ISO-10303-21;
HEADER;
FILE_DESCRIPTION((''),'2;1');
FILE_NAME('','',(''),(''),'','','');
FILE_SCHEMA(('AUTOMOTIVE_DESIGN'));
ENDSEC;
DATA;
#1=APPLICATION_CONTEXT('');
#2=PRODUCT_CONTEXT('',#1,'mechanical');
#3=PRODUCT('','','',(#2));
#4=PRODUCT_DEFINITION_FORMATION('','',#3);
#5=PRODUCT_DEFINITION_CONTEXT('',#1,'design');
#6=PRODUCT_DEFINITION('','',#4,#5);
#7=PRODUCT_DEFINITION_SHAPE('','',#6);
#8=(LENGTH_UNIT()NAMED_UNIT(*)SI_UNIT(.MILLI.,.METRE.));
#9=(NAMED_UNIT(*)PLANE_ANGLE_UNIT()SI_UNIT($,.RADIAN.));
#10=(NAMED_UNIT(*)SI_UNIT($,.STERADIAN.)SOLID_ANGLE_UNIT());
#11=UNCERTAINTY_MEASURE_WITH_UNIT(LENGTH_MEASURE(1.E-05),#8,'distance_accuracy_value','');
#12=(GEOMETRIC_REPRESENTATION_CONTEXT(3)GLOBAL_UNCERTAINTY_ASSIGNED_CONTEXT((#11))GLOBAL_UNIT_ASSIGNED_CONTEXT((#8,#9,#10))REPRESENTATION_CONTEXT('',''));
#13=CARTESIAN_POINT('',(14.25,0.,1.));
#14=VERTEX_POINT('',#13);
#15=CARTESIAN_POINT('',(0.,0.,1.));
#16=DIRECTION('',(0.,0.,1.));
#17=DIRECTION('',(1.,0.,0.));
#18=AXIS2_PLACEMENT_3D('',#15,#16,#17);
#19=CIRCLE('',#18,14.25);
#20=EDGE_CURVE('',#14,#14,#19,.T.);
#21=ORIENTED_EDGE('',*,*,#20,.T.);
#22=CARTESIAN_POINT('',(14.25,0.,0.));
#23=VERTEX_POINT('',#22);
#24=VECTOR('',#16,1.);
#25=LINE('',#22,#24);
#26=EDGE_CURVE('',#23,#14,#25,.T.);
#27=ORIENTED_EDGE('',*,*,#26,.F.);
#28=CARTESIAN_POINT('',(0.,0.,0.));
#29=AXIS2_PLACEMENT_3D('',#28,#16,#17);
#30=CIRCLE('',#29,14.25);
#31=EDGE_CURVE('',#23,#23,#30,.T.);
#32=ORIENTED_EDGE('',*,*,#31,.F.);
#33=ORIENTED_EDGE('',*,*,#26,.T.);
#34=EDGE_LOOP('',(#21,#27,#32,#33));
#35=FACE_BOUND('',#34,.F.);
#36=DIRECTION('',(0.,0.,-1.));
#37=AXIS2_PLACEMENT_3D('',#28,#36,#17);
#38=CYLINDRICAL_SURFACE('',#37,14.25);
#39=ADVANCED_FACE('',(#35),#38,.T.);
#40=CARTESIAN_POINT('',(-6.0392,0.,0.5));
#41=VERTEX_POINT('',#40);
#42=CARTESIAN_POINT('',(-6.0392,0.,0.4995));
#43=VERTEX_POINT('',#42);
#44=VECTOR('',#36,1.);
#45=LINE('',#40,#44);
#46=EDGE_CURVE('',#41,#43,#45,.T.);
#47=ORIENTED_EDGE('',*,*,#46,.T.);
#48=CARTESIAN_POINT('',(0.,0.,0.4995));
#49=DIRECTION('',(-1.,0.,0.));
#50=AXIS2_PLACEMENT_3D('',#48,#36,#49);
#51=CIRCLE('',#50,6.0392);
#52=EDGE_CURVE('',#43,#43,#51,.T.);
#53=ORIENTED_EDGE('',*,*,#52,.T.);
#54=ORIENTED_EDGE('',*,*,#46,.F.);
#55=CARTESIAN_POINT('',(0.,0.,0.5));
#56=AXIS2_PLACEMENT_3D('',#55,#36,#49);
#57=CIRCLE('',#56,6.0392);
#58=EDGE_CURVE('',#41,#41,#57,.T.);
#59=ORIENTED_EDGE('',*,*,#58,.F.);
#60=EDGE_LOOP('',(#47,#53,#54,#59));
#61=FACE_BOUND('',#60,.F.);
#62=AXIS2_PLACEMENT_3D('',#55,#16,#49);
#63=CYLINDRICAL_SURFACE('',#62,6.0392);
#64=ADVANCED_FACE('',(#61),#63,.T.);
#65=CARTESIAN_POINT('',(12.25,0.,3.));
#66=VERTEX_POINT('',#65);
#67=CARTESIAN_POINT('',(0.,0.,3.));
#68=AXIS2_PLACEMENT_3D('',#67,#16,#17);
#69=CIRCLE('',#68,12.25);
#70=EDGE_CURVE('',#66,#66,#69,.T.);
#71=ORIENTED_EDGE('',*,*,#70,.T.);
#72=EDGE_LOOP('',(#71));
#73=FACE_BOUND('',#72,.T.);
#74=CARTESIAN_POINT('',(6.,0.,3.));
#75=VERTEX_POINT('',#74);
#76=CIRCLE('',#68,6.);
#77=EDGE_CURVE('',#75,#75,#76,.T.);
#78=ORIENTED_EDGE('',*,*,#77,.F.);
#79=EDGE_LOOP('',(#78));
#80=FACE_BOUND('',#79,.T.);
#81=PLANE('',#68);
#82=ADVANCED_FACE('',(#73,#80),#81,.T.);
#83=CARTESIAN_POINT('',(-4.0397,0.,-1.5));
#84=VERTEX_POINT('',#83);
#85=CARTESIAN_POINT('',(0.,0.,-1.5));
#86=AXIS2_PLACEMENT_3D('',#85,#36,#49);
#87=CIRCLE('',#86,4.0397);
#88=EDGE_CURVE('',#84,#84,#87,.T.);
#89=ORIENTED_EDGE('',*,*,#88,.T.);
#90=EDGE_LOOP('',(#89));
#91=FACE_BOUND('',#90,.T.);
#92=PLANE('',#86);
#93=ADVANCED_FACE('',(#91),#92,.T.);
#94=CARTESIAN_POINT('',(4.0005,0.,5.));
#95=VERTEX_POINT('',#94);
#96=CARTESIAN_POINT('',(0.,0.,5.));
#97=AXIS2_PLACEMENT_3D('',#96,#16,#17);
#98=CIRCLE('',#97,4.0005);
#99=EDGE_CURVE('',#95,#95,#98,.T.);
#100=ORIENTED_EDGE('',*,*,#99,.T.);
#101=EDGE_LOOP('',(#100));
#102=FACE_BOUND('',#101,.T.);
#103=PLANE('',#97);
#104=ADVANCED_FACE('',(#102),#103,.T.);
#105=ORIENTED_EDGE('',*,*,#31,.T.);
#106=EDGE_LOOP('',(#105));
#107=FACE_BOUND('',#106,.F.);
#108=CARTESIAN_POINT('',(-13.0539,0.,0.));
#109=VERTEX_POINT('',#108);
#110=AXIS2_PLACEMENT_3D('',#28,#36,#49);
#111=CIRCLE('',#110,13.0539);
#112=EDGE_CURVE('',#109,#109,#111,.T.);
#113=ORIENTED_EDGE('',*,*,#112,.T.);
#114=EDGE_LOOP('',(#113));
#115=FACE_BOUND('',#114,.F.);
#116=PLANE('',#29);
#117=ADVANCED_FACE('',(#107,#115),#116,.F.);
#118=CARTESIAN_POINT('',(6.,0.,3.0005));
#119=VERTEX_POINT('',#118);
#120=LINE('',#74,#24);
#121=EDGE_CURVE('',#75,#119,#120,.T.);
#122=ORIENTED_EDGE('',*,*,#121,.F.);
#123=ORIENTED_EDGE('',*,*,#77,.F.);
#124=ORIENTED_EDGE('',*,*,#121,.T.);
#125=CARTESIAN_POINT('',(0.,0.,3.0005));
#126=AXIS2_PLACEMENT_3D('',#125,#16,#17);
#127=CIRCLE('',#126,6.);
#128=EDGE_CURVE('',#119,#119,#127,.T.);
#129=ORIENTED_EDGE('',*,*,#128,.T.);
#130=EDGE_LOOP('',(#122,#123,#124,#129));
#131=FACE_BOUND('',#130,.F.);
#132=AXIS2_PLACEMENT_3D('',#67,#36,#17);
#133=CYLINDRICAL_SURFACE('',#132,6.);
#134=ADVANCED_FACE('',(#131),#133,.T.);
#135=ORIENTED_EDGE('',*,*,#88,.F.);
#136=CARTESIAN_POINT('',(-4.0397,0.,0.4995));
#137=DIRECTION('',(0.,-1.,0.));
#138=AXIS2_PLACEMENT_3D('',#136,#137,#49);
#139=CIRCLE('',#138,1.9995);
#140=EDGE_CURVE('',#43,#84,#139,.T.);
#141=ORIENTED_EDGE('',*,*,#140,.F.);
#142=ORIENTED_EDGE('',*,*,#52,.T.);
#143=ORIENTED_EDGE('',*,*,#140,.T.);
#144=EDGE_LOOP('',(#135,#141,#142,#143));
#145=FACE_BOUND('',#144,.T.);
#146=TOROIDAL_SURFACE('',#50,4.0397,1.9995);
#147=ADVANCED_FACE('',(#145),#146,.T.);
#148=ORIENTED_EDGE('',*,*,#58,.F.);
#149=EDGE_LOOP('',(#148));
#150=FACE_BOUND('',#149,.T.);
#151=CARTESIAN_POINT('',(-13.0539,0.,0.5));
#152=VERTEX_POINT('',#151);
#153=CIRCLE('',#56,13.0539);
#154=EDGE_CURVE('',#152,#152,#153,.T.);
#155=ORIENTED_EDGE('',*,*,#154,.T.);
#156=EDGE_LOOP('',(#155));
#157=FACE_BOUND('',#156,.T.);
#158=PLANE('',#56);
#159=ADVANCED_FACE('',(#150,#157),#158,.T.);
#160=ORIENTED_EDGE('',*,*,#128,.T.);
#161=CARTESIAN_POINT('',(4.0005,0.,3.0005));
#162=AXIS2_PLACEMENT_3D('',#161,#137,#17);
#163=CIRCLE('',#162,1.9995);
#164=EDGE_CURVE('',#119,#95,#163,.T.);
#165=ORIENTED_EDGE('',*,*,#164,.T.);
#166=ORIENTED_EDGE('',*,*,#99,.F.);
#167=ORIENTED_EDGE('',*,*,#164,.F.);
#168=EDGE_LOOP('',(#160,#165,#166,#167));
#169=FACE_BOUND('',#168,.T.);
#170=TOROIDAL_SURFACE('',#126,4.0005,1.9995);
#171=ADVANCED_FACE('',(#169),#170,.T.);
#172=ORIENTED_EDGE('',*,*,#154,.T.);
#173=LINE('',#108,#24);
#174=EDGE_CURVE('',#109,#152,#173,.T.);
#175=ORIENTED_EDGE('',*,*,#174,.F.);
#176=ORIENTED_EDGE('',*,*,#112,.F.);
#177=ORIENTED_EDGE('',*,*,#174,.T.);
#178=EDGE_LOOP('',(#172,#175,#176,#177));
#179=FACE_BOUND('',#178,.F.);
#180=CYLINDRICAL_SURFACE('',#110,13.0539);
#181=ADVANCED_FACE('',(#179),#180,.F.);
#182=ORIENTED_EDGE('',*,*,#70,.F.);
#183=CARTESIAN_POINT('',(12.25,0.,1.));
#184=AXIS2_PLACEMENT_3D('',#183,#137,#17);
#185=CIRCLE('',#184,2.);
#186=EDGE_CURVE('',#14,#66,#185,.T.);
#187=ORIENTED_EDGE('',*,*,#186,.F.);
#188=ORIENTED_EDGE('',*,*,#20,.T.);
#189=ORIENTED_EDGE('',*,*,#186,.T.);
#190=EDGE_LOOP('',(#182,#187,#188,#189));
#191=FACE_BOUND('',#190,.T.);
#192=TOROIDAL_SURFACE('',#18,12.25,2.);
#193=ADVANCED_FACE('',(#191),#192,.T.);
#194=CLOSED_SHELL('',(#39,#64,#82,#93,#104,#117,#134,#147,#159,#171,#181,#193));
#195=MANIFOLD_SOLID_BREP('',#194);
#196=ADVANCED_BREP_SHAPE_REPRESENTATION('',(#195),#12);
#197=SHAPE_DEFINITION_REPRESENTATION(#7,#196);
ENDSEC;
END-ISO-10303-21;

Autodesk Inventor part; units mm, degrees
ref_plane "YZ Plane" through (0, 0, 0) normal (1, 0, 0) x (0, 1, 0)
ref_plane "XZ Plane" through (0, 0, 0) normal (0, 1, 0) x (-1, 0, 0)
ref_plane "XY Plane" through (0, 0, 0) normal (0, 0, 1) x (1, 0, 0)
sketch "Sketch1" plane through (0, 0, 0) normal (0, 0, 1) x (1, 0, 0)
  circle A0 centre (0, 0) radius 14.25
  dimension "d0" = 28.5
extrude "Extrusion1" add sketch "Sketch1" along normal blind 3
sketch "Sketch2" plane through (0, 0, 3) normal (0, 0, 1) x (1, 0, 0)
  circle A0 centre (0, 0) radius 6
  dimension "d3" = 12
extrude "Extrusion2" add sketch "Sketch2" along normal blind 2
fillet "Fillet1" radius 2 1 edges at (-14.25, 0, 3)
fillet "Fillet2" radius 2 1 edges at (-6, 0, 5)
sketch "Sketch3" plane through (0, 0, 0) normal (0, 0, -1) x (-1, 0, 0)
  circle A0 centre (0, 0) radius 13.0539
extrude "Extrusion3" cut sketch "Sketch3" against normal blind 0.5
sketch "Sketch4" plane through (0, 0, 0.5) normal (0, 0, -1) x (-1, 0, 0)
  circle A0 centre (0, 0) radius 6.0392
extrude "Extrusion4" add sketch "Sketch4" along normal blind 2
fillet "Fillet3" radius 2 1 edges at (6.0392, 0, -1.5)
properties part number "speaker"
